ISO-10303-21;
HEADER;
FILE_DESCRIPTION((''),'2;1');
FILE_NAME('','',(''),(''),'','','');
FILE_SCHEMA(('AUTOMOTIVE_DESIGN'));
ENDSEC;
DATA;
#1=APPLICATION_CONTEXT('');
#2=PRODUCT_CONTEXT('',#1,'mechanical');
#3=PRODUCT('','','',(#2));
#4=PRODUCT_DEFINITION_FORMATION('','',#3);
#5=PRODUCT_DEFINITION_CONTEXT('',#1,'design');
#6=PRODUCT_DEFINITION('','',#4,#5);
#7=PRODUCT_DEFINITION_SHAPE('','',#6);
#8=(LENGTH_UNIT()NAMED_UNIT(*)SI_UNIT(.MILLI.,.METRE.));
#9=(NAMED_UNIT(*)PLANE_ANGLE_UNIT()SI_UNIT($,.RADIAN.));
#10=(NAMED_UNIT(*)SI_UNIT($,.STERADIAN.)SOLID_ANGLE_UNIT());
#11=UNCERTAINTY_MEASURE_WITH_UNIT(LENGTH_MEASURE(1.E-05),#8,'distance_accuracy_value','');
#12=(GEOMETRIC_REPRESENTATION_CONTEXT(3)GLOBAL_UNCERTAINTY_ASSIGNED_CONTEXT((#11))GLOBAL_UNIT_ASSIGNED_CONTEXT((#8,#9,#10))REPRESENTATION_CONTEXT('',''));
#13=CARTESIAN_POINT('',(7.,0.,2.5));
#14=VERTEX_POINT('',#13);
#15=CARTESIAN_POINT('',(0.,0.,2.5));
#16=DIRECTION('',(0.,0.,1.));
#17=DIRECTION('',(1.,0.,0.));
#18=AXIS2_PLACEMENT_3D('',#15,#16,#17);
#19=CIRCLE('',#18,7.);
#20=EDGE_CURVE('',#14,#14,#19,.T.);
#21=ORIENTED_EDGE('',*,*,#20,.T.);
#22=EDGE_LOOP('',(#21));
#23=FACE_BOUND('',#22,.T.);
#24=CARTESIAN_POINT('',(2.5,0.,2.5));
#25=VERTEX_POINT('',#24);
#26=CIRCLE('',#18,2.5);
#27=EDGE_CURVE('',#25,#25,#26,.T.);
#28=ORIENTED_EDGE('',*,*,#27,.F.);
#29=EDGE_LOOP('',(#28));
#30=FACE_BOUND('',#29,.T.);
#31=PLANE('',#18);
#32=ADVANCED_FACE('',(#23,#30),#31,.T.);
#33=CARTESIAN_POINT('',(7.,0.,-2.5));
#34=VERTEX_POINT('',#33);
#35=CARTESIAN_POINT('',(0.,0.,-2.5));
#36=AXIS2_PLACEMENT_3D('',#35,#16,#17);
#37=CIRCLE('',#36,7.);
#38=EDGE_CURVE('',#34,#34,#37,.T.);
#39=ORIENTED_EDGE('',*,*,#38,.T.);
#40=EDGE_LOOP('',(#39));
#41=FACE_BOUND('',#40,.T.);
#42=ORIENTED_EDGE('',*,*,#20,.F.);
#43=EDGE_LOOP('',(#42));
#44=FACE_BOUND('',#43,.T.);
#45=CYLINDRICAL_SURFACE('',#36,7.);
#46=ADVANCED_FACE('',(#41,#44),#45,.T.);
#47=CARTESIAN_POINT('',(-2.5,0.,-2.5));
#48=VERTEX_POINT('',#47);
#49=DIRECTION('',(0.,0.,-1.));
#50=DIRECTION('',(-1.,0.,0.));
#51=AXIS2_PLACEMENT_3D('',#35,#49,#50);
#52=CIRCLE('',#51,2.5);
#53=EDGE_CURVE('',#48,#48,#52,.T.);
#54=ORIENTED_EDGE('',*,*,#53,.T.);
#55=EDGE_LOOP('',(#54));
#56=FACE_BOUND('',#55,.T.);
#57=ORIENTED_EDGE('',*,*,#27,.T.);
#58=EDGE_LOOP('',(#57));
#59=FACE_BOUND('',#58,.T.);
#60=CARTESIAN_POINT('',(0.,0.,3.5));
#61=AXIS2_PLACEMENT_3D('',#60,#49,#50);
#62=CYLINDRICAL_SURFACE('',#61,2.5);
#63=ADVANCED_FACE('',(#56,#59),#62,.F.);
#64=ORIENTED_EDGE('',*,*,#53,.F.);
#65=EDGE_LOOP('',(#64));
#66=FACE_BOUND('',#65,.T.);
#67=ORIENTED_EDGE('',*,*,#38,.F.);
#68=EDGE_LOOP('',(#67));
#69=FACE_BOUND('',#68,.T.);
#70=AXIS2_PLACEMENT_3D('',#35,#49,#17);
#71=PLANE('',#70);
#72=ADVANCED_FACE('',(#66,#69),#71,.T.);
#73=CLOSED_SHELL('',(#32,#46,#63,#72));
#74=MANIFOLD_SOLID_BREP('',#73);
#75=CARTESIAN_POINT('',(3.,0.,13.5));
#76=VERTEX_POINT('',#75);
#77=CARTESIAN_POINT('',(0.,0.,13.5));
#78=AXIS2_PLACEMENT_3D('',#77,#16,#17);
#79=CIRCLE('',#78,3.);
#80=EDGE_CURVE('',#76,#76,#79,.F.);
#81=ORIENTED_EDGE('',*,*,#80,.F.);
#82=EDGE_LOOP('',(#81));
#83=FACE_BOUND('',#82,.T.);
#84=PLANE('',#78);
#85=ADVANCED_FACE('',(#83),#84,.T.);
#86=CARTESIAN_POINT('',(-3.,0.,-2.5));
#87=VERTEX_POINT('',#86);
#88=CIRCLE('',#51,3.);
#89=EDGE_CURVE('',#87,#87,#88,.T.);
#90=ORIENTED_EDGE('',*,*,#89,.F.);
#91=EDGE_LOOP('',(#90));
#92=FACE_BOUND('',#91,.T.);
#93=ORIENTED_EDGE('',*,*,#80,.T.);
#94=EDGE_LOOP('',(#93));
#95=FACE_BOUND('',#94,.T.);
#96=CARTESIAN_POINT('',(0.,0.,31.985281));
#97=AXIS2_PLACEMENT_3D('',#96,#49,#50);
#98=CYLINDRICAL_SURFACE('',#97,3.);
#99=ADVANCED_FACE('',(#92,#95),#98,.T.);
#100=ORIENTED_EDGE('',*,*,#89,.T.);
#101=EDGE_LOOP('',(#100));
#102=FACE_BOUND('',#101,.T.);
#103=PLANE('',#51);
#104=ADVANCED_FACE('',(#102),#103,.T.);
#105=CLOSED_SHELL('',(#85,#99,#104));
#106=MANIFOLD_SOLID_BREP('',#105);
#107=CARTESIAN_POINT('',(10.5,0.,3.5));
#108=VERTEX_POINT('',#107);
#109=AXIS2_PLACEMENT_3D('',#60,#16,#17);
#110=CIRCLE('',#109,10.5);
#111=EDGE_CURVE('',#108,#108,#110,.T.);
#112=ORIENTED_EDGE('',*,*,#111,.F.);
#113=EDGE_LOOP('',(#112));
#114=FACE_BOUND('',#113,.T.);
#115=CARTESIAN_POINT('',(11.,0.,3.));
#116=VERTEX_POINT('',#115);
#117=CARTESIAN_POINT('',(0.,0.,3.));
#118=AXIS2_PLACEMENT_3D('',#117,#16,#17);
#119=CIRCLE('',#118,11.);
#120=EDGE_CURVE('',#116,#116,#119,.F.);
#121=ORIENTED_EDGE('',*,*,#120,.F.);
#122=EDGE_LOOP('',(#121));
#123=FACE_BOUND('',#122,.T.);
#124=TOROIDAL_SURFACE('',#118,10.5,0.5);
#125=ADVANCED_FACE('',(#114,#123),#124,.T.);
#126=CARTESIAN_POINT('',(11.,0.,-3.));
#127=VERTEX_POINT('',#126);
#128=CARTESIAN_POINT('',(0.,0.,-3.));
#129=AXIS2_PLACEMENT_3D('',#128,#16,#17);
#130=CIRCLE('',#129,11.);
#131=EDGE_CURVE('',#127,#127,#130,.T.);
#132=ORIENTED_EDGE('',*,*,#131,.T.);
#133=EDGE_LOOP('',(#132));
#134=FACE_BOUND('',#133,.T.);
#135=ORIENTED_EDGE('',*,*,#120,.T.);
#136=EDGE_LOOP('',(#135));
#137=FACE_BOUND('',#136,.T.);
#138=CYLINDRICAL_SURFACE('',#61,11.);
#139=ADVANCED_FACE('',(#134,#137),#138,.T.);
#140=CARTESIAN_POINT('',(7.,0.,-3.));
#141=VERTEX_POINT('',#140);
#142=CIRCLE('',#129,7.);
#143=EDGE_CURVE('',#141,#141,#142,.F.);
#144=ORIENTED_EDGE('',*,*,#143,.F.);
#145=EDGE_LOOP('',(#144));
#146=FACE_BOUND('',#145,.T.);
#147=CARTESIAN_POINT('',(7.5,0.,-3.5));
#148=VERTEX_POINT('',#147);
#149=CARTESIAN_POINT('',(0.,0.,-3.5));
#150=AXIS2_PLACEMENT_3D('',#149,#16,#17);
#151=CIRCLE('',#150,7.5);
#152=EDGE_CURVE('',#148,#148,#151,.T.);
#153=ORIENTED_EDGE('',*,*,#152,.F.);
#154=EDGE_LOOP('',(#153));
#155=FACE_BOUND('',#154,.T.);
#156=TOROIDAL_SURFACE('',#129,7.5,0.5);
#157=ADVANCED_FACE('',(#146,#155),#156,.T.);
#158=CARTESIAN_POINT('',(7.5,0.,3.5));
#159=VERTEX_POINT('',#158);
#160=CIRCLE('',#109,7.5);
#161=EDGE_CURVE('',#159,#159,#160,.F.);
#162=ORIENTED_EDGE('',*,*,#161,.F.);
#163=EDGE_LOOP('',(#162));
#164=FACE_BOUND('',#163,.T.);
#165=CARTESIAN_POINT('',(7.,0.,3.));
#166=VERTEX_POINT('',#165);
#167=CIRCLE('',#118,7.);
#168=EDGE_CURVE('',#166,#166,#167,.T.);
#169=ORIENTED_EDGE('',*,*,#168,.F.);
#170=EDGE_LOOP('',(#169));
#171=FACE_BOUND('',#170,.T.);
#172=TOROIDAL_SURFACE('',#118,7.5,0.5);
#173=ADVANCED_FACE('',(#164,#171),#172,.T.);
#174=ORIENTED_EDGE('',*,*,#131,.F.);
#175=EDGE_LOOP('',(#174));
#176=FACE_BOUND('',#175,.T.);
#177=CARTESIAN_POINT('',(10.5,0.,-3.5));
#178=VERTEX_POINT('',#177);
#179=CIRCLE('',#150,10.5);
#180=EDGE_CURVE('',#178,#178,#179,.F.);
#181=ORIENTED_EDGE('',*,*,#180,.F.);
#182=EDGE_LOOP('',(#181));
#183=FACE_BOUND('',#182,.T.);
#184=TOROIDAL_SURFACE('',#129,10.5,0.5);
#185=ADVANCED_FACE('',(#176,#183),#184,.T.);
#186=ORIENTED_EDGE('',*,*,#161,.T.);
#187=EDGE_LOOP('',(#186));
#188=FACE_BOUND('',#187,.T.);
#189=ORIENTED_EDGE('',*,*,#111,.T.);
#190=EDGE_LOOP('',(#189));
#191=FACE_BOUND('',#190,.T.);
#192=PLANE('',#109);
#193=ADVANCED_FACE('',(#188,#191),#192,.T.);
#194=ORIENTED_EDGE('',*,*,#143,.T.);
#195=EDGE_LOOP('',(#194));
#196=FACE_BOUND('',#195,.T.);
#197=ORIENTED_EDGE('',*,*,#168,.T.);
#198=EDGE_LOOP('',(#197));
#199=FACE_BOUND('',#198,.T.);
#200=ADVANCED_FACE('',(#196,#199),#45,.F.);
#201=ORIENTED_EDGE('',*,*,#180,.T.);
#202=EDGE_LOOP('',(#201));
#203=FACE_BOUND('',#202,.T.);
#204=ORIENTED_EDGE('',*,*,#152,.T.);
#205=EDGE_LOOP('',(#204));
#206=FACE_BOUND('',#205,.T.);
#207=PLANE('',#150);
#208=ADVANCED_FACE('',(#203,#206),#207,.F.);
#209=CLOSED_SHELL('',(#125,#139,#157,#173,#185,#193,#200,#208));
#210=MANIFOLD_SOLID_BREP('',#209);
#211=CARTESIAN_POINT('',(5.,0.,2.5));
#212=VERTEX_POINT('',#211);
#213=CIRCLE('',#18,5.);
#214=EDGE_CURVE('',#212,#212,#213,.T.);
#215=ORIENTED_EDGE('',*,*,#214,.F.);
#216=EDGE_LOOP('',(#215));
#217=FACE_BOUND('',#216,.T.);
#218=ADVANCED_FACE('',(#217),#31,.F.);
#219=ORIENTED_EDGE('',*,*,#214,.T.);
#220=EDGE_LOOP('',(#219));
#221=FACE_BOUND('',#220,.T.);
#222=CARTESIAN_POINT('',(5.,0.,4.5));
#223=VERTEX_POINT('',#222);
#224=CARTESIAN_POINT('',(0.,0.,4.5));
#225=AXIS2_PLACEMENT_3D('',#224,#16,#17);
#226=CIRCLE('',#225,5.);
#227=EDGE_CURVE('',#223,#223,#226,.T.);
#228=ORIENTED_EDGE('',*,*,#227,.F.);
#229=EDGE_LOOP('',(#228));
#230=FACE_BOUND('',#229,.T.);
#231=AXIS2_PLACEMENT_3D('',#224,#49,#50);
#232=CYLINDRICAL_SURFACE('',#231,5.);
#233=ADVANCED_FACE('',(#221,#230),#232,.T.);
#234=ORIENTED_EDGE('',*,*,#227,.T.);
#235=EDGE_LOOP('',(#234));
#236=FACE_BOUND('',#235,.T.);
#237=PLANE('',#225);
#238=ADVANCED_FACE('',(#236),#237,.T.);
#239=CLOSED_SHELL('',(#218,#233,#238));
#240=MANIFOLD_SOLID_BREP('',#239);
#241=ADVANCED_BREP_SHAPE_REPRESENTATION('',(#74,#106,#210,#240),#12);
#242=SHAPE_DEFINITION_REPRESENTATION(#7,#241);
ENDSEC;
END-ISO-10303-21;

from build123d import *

# Parameters (mm, degrees)
SKETCH_1_R              = 11
SKETCH_1_R_2            = 2.5
EXTRUDE_1_DEPTH         = 3.5
SKETCH_2_R              = 7
CUT_EXTRUDE_1_DEPTH     = 1
SHEET_EXTRUDE_1_1_BACK  = 14
SHEET_EXTRUDE_1_1_DEPTH = 14
SHEET_EXTRUDE_1_2_BACK  = 14
SHEET_EXTRUDE_1_2_DEPTH = 14
FILLET_1_R              = 0.5
SKETCH_5_R              = 3
EXTRUDE_3_DEPTH         = 16
SKETCH_6_R              = 5
EXTRUDE_4_DEPTH         = 2


with BuildPart() as part:
    # 草图1 → 凸台-拉伸1 (new, symmetric)
    with BuildSketch(Plane.XY):
        Circle(SKETCH_1_R)
        Circle(SKETCH_1_R_2, mode=Mode.SUBTRACT)
    extrude(amount=EXTRUDE_1_DEPTH, both=True)

    # 草图2 → 切除-拉伸1 (cut)
    with BuildSketch(Plane.XY.offset(3.5)):
        Circle(SKETCH_2_R)
    cut_extrude_1 = extrude(amount=-CUT_EXTRUDE_1_DEPTH, mode=Mode.SUBTRACT)

    # 镜向1: 切除-拉伸1 across plane
    add(cut_extrude_1.mirror(Plane.XY), mode=Mode.SUBTRACT)


with BuildPart() as body_2:
    # Split Bodies 1: the piece behind the surface
    add(part.part)
    # Sheet 凸台-拉伸1: a surface, the sketch's curves swept straight by 14 mm
    with BuildLine(Plane(origin=(0, 0, -2.5), x_dir=(-1, 0, 0), z_dir=(0, 0, -1)).offset(-SHEET_EXTRUDE_1_1_BACK), mode=Mode.PRIVATE) as sheet_extrude_1_1_path:
        CenterArc((0, 0), 7, 0, 360)
    sheet_extrude_1_1 = Shell.extrude(sheet_extrude_1_1_path.wire(), (0 * SHEET_EXTRUDE_1_1_DEPTH, 0 * SHEET_EXTRUDE_1_1_DEPTH, -1 * SHEET_EXTRUDE_1_1_DEPTH))
    split(bisect_by=sheet_extrude_1_1, keep=Keep.BOTTOM)

    # 圆角1
    fillet_1_edges = [body_2.edges().sort_by_distance(p)[0] for p in [
        (-7, 0, -3.5),
        (0, 7, 3.5),
        (-11, 0, -3.5),
        (-11, 0, 3.5),
    ]]
    fillet(fillet_1_edges, radius=FILLET_1_R)


with BuildPart() as part_1:
    add(part.part)

    # Split Bodies 1: split by a surface, the side it looks to stays
    # Sheet 凸台-拉伸1: a surface, the sketch's curves swept straight by 14 mm
    with BuildLine(Plane(origin=(0, 0, -2.5), x_dir=(-1, 0, 0), z_dir=(0, 0, -1)).offset(-SHEET_EXTRUDE_1_2_BACK), mode=Mode.PRIVATE) as sheet_extrude_1_2_path:
        CenterArc((0, 0), 7, 0, 360)
    sheet_extrude_1_2 = Shell.extrude(sheet_extrude_1_2_path.wire(), (0 * SHEET_EXTRUDE_1_2_DEPTH, 0 * SHEET_EXTRUDE_1_2_DEPTH, -1 * SHEET_EXTRUDE_1_2_DEPTH))
    split(bisect_by=sheet_extrude_1_2, keep=Keep.TOP)


with BuildPart() as body_3:
    # 草图5 → 凸台-拉伸3 (new body)
    with BuildSketch(Plane(origin=(0, 0, -2.5), x_dir=(-1, 0, 0), z_dir=(0, 0, -1))):
        Circle(SKETCH_5_R)
    extrude(amount=-EXTRUDE_3_DEPTH)


with BuildPart() as body_4:
    # 草图6 → 凸台-拉伸4 (new body)
    with BuildSketch(Plane.XY.offset(2.5)):
        Circle(SKETCH_6_R)
    extrude(amount=EXTRUDE_4_DEPTH)


solid = Compound([body_2.part, part_1.part, body_3.part, body_4.part])
